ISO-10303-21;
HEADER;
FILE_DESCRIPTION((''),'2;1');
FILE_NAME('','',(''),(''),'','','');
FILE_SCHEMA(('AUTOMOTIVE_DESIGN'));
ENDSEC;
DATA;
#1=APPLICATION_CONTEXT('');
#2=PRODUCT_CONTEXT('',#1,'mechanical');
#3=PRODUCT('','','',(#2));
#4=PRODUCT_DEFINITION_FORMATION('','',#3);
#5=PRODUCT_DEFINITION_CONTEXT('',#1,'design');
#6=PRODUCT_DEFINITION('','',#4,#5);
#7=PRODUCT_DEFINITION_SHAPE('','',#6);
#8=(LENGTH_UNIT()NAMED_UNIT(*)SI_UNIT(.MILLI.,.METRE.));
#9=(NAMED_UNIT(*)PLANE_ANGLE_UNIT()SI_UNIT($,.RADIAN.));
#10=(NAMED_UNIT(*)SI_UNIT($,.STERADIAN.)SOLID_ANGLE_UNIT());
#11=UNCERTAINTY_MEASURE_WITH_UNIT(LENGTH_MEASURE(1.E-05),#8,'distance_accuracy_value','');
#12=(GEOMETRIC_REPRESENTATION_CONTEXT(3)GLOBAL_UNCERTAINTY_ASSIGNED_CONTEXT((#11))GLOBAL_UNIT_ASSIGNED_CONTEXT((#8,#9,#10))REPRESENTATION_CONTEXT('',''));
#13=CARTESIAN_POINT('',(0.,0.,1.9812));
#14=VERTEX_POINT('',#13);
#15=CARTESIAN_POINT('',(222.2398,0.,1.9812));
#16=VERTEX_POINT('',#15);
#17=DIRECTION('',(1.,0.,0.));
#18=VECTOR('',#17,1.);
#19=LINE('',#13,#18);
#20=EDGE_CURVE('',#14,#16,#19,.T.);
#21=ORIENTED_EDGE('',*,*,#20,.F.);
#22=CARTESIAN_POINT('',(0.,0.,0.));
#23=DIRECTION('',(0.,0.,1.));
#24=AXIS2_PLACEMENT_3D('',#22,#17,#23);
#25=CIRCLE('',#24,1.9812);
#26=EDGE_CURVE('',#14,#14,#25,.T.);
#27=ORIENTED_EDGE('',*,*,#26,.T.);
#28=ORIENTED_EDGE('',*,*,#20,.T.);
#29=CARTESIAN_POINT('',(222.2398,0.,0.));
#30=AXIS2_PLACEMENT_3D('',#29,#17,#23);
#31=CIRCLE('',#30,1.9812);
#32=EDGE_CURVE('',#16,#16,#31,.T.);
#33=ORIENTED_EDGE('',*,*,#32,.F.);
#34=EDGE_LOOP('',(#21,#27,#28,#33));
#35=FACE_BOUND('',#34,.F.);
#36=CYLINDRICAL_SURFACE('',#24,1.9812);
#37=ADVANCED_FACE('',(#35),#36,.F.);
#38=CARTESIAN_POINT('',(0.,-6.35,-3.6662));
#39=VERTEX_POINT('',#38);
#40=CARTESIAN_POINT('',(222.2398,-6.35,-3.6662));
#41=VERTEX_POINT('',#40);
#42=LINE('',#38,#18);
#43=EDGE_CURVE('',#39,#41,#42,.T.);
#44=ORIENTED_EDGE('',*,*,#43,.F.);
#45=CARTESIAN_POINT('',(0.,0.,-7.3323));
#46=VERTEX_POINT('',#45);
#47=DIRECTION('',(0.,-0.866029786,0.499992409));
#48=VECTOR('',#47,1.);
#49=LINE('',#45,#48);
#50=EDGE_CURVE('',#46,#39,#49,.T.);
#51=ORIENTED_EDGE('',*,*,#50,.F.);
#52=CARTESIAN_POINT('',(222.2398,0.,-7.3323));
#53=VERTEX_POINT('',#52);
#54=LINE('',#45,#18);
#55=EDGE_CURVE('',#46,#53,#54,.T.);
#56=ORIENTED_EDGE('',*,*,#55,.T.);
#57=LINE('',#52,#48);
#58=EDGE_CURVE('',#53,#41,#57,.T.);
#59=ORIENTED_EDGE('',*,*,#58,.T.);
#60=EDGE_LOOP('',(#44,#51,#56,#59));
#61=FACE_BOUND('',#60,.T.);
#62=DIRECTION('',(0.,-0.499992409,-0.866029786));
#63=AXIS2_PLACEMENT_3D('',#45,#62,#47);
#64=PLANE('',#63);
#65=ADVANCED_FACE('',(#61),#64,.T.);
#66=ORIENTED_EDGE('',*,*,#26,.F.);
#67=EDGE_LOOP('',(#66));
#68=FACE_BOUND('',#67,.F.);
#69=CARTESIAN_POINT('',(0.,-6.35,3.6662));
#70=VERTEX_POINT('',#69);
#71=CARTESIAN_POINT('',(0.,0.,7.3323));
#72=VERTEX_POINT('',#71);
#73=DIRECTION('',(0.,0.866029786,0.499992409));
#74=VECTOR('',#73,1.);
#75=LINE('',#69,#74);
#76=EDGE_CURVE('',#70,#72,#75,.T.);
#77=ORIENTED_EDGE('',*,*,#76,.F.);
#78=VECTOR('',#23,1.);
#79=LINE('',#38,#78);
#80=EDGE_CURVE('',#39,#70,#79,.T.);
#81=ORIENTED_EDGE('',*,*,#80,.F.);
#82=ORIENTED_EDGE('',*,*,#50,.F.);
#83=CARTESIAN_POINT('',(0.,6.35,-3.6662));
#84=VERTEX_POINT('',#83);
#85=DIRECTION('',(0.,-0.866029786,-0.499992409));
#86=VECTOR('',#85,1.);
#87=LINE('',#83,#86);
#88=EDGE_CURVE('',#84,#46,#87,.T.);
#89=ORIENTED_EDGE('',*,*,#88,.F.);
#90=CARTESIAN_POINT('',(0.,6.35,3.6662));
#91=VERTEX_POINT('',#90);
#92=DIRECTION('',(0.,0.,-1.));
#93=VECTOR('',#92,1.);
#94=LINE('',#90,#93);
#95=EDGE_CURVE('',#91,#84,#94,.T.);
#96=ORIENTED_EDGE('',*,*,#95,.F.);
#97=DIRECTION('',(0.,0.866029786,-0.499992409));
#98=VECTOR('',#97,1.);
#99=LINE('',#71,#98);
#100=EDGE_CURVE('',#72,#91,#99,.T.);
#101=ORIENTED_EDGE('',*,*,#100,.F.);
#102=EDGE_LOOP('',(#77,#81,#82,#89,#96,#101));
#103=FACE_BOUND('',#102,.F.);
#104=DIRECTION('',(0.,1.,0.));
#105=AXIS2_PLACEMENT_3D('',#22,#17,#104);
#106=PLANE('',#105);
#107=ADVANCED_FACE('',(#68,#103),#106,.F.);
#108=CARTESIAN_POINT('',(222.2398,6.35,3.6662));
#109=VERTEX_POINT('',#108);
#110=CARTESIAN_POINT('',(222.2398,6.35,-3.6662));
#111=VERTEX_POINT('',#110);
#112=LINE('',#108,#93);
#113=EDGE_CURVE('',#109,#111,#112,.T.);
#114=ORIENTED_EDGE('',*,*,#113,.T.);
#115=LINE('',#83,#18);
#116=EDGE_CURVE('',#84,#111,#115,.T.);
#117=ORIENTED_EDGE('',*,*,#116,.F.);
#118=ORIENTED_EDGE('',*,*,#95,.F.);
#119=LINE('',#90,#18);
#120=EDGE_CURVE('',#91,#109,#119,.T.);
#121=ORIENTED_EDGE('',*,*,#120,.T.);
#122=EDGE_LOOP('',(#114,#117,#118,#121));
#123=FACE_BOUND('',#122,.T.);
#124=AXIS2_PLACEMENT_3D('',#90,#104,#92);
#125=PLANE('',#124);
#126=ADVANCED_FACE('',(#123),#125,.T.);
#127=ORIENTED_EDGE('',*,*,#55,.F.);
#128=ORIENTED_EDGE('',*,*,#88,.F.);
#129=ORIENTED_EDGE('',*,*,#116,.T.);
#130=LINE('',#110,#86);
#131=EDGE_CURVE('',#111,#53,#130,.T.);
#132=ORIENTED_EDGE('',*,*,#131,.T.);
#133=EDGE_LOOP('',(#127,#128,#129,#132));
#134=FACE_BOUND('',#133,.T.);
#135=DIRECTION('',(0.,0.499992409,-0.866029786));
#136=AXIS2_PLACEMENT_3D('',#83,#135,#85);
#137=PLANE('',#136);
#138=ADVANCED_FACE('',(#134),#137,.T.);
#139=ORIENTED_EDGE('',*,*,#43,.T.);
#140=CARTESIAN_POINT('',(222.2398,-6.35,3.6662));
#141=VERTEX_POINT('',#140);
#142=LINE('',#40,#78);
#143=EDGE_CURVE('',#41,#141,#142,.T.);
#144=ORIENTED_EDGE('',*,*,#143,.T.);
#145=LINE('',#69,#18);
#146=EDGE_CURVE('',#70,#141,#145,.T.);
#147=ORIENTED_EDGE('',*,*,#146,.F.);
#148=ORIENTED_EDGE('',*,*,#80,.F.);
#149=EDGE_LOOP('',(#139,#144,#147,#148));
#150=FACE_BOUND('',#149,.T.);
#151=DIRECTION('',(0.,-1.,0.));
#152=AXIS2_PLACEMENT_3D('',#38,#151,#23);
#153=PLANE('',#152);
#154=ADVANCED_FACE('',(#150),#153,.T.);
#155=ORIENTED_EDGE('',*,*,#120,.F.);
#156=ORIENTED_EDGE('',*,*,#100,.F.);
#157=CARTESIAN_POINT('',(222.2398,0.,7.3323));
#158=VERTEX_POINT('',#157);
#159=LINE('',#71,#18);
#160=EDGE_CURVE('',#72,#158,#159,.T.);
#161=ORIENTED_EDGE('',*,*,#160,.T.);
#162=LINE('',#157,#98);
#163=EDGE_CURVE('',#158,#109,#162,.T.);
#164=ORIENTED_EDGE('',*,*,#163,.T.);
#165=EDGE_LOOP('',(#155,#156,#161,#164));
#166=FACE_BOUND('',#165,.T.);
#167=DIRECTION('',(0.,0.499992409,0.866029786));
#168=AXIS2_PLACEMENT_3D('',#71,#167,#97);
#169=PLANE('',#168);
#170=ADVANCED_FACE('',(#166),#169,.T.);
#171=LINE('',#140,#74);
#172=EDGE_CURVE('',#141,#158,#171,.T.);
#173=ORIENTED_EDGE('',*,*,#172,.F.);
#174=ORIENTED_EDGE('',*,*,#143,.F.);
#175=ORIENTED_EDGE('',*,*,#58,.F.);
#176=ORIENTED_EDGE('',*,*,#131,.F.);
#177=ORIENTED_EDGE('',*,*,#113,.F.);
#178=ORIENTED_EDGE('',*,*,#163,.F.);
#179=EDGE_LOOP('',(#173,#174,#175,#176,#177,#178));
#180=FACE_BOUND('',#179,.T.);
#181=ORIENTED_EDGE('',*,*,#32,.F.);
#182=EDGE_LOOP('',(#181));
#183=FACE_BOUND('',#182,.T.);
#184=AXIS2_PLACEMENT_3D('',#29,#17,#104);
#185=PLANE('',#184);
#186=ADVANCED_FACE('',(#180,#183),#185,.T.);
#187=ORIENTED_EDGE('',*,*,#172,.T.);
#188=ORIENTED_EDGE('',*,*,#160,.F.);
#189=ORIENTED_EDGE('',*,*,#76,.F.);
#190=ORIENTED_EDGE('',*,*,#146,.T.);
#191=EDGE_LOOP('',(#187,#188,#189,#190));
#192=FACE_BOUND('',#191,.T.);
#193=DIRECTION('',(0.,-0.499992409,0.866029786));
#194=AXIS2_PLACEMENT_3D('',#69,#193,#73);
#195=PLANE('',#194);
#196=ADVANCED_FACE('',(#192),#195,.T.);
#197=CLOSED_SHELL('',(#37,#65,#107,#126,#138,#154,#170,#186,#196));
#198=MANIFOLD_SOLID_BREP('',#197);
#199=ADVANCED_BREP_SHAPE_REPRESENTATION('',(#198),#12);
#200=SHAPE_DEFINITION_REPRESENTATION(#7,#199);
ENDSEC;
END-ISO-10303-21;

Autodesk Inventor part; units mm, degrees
ref_plane "YZ Plane" through (0, 0, 0) normal (1, 0, 0) x (0, 1, 0)
ref_plane "XZ Plane" through (0, 0, 0) normal (0, 1, 0) x (-1, 0, 0)
ref_plane "XY Plane" through (0, 0, 0) normal (0, 0, 1) x (1, 0, 0)
sketch "Sketch1" plane through (0, 0, 0) normal (1, 0, 0) x (0, 1, 0)
  line L0 (-6.35, -3.6662) -> (-6.35, 3.6662)
  line L1 (-6.35, 3.6662) -> (0, 7.3323)
  line L2 (0, 7.3323) -> (6.35, 3.6662)
  line L3 (6.35, 3.6662) -> (6.35, -3.6662)
  line L4 (6.35, -3.6662) -> (0, -7.3323)
  line L5 (0, -7.3323) -> (-6.35, -3.6662)
  point P0 (0, 0)
  point P1 (0, 0)
  dimension "d0" = 12.7
extrude "Extrusion1" add sketch "Sketch1" along normal blind 222.2398
sketch "Sketch2" plane through (0, 0, 0) normal (-1, 0, 0) x (0, 0, 1)
  point P0 (0, 0)
  point P1 (0, 0)
hole "Hole1" at (0, 0, 0) direction (1, 0, 0) diameter 3.9624 end through all thread size "10-32 UNF" class "2B" standard "ANSI Unified Screw Threads"
properties part number "STOCK,SHAFT,HEX,SHOOTER" material "Steel, Alloy"
